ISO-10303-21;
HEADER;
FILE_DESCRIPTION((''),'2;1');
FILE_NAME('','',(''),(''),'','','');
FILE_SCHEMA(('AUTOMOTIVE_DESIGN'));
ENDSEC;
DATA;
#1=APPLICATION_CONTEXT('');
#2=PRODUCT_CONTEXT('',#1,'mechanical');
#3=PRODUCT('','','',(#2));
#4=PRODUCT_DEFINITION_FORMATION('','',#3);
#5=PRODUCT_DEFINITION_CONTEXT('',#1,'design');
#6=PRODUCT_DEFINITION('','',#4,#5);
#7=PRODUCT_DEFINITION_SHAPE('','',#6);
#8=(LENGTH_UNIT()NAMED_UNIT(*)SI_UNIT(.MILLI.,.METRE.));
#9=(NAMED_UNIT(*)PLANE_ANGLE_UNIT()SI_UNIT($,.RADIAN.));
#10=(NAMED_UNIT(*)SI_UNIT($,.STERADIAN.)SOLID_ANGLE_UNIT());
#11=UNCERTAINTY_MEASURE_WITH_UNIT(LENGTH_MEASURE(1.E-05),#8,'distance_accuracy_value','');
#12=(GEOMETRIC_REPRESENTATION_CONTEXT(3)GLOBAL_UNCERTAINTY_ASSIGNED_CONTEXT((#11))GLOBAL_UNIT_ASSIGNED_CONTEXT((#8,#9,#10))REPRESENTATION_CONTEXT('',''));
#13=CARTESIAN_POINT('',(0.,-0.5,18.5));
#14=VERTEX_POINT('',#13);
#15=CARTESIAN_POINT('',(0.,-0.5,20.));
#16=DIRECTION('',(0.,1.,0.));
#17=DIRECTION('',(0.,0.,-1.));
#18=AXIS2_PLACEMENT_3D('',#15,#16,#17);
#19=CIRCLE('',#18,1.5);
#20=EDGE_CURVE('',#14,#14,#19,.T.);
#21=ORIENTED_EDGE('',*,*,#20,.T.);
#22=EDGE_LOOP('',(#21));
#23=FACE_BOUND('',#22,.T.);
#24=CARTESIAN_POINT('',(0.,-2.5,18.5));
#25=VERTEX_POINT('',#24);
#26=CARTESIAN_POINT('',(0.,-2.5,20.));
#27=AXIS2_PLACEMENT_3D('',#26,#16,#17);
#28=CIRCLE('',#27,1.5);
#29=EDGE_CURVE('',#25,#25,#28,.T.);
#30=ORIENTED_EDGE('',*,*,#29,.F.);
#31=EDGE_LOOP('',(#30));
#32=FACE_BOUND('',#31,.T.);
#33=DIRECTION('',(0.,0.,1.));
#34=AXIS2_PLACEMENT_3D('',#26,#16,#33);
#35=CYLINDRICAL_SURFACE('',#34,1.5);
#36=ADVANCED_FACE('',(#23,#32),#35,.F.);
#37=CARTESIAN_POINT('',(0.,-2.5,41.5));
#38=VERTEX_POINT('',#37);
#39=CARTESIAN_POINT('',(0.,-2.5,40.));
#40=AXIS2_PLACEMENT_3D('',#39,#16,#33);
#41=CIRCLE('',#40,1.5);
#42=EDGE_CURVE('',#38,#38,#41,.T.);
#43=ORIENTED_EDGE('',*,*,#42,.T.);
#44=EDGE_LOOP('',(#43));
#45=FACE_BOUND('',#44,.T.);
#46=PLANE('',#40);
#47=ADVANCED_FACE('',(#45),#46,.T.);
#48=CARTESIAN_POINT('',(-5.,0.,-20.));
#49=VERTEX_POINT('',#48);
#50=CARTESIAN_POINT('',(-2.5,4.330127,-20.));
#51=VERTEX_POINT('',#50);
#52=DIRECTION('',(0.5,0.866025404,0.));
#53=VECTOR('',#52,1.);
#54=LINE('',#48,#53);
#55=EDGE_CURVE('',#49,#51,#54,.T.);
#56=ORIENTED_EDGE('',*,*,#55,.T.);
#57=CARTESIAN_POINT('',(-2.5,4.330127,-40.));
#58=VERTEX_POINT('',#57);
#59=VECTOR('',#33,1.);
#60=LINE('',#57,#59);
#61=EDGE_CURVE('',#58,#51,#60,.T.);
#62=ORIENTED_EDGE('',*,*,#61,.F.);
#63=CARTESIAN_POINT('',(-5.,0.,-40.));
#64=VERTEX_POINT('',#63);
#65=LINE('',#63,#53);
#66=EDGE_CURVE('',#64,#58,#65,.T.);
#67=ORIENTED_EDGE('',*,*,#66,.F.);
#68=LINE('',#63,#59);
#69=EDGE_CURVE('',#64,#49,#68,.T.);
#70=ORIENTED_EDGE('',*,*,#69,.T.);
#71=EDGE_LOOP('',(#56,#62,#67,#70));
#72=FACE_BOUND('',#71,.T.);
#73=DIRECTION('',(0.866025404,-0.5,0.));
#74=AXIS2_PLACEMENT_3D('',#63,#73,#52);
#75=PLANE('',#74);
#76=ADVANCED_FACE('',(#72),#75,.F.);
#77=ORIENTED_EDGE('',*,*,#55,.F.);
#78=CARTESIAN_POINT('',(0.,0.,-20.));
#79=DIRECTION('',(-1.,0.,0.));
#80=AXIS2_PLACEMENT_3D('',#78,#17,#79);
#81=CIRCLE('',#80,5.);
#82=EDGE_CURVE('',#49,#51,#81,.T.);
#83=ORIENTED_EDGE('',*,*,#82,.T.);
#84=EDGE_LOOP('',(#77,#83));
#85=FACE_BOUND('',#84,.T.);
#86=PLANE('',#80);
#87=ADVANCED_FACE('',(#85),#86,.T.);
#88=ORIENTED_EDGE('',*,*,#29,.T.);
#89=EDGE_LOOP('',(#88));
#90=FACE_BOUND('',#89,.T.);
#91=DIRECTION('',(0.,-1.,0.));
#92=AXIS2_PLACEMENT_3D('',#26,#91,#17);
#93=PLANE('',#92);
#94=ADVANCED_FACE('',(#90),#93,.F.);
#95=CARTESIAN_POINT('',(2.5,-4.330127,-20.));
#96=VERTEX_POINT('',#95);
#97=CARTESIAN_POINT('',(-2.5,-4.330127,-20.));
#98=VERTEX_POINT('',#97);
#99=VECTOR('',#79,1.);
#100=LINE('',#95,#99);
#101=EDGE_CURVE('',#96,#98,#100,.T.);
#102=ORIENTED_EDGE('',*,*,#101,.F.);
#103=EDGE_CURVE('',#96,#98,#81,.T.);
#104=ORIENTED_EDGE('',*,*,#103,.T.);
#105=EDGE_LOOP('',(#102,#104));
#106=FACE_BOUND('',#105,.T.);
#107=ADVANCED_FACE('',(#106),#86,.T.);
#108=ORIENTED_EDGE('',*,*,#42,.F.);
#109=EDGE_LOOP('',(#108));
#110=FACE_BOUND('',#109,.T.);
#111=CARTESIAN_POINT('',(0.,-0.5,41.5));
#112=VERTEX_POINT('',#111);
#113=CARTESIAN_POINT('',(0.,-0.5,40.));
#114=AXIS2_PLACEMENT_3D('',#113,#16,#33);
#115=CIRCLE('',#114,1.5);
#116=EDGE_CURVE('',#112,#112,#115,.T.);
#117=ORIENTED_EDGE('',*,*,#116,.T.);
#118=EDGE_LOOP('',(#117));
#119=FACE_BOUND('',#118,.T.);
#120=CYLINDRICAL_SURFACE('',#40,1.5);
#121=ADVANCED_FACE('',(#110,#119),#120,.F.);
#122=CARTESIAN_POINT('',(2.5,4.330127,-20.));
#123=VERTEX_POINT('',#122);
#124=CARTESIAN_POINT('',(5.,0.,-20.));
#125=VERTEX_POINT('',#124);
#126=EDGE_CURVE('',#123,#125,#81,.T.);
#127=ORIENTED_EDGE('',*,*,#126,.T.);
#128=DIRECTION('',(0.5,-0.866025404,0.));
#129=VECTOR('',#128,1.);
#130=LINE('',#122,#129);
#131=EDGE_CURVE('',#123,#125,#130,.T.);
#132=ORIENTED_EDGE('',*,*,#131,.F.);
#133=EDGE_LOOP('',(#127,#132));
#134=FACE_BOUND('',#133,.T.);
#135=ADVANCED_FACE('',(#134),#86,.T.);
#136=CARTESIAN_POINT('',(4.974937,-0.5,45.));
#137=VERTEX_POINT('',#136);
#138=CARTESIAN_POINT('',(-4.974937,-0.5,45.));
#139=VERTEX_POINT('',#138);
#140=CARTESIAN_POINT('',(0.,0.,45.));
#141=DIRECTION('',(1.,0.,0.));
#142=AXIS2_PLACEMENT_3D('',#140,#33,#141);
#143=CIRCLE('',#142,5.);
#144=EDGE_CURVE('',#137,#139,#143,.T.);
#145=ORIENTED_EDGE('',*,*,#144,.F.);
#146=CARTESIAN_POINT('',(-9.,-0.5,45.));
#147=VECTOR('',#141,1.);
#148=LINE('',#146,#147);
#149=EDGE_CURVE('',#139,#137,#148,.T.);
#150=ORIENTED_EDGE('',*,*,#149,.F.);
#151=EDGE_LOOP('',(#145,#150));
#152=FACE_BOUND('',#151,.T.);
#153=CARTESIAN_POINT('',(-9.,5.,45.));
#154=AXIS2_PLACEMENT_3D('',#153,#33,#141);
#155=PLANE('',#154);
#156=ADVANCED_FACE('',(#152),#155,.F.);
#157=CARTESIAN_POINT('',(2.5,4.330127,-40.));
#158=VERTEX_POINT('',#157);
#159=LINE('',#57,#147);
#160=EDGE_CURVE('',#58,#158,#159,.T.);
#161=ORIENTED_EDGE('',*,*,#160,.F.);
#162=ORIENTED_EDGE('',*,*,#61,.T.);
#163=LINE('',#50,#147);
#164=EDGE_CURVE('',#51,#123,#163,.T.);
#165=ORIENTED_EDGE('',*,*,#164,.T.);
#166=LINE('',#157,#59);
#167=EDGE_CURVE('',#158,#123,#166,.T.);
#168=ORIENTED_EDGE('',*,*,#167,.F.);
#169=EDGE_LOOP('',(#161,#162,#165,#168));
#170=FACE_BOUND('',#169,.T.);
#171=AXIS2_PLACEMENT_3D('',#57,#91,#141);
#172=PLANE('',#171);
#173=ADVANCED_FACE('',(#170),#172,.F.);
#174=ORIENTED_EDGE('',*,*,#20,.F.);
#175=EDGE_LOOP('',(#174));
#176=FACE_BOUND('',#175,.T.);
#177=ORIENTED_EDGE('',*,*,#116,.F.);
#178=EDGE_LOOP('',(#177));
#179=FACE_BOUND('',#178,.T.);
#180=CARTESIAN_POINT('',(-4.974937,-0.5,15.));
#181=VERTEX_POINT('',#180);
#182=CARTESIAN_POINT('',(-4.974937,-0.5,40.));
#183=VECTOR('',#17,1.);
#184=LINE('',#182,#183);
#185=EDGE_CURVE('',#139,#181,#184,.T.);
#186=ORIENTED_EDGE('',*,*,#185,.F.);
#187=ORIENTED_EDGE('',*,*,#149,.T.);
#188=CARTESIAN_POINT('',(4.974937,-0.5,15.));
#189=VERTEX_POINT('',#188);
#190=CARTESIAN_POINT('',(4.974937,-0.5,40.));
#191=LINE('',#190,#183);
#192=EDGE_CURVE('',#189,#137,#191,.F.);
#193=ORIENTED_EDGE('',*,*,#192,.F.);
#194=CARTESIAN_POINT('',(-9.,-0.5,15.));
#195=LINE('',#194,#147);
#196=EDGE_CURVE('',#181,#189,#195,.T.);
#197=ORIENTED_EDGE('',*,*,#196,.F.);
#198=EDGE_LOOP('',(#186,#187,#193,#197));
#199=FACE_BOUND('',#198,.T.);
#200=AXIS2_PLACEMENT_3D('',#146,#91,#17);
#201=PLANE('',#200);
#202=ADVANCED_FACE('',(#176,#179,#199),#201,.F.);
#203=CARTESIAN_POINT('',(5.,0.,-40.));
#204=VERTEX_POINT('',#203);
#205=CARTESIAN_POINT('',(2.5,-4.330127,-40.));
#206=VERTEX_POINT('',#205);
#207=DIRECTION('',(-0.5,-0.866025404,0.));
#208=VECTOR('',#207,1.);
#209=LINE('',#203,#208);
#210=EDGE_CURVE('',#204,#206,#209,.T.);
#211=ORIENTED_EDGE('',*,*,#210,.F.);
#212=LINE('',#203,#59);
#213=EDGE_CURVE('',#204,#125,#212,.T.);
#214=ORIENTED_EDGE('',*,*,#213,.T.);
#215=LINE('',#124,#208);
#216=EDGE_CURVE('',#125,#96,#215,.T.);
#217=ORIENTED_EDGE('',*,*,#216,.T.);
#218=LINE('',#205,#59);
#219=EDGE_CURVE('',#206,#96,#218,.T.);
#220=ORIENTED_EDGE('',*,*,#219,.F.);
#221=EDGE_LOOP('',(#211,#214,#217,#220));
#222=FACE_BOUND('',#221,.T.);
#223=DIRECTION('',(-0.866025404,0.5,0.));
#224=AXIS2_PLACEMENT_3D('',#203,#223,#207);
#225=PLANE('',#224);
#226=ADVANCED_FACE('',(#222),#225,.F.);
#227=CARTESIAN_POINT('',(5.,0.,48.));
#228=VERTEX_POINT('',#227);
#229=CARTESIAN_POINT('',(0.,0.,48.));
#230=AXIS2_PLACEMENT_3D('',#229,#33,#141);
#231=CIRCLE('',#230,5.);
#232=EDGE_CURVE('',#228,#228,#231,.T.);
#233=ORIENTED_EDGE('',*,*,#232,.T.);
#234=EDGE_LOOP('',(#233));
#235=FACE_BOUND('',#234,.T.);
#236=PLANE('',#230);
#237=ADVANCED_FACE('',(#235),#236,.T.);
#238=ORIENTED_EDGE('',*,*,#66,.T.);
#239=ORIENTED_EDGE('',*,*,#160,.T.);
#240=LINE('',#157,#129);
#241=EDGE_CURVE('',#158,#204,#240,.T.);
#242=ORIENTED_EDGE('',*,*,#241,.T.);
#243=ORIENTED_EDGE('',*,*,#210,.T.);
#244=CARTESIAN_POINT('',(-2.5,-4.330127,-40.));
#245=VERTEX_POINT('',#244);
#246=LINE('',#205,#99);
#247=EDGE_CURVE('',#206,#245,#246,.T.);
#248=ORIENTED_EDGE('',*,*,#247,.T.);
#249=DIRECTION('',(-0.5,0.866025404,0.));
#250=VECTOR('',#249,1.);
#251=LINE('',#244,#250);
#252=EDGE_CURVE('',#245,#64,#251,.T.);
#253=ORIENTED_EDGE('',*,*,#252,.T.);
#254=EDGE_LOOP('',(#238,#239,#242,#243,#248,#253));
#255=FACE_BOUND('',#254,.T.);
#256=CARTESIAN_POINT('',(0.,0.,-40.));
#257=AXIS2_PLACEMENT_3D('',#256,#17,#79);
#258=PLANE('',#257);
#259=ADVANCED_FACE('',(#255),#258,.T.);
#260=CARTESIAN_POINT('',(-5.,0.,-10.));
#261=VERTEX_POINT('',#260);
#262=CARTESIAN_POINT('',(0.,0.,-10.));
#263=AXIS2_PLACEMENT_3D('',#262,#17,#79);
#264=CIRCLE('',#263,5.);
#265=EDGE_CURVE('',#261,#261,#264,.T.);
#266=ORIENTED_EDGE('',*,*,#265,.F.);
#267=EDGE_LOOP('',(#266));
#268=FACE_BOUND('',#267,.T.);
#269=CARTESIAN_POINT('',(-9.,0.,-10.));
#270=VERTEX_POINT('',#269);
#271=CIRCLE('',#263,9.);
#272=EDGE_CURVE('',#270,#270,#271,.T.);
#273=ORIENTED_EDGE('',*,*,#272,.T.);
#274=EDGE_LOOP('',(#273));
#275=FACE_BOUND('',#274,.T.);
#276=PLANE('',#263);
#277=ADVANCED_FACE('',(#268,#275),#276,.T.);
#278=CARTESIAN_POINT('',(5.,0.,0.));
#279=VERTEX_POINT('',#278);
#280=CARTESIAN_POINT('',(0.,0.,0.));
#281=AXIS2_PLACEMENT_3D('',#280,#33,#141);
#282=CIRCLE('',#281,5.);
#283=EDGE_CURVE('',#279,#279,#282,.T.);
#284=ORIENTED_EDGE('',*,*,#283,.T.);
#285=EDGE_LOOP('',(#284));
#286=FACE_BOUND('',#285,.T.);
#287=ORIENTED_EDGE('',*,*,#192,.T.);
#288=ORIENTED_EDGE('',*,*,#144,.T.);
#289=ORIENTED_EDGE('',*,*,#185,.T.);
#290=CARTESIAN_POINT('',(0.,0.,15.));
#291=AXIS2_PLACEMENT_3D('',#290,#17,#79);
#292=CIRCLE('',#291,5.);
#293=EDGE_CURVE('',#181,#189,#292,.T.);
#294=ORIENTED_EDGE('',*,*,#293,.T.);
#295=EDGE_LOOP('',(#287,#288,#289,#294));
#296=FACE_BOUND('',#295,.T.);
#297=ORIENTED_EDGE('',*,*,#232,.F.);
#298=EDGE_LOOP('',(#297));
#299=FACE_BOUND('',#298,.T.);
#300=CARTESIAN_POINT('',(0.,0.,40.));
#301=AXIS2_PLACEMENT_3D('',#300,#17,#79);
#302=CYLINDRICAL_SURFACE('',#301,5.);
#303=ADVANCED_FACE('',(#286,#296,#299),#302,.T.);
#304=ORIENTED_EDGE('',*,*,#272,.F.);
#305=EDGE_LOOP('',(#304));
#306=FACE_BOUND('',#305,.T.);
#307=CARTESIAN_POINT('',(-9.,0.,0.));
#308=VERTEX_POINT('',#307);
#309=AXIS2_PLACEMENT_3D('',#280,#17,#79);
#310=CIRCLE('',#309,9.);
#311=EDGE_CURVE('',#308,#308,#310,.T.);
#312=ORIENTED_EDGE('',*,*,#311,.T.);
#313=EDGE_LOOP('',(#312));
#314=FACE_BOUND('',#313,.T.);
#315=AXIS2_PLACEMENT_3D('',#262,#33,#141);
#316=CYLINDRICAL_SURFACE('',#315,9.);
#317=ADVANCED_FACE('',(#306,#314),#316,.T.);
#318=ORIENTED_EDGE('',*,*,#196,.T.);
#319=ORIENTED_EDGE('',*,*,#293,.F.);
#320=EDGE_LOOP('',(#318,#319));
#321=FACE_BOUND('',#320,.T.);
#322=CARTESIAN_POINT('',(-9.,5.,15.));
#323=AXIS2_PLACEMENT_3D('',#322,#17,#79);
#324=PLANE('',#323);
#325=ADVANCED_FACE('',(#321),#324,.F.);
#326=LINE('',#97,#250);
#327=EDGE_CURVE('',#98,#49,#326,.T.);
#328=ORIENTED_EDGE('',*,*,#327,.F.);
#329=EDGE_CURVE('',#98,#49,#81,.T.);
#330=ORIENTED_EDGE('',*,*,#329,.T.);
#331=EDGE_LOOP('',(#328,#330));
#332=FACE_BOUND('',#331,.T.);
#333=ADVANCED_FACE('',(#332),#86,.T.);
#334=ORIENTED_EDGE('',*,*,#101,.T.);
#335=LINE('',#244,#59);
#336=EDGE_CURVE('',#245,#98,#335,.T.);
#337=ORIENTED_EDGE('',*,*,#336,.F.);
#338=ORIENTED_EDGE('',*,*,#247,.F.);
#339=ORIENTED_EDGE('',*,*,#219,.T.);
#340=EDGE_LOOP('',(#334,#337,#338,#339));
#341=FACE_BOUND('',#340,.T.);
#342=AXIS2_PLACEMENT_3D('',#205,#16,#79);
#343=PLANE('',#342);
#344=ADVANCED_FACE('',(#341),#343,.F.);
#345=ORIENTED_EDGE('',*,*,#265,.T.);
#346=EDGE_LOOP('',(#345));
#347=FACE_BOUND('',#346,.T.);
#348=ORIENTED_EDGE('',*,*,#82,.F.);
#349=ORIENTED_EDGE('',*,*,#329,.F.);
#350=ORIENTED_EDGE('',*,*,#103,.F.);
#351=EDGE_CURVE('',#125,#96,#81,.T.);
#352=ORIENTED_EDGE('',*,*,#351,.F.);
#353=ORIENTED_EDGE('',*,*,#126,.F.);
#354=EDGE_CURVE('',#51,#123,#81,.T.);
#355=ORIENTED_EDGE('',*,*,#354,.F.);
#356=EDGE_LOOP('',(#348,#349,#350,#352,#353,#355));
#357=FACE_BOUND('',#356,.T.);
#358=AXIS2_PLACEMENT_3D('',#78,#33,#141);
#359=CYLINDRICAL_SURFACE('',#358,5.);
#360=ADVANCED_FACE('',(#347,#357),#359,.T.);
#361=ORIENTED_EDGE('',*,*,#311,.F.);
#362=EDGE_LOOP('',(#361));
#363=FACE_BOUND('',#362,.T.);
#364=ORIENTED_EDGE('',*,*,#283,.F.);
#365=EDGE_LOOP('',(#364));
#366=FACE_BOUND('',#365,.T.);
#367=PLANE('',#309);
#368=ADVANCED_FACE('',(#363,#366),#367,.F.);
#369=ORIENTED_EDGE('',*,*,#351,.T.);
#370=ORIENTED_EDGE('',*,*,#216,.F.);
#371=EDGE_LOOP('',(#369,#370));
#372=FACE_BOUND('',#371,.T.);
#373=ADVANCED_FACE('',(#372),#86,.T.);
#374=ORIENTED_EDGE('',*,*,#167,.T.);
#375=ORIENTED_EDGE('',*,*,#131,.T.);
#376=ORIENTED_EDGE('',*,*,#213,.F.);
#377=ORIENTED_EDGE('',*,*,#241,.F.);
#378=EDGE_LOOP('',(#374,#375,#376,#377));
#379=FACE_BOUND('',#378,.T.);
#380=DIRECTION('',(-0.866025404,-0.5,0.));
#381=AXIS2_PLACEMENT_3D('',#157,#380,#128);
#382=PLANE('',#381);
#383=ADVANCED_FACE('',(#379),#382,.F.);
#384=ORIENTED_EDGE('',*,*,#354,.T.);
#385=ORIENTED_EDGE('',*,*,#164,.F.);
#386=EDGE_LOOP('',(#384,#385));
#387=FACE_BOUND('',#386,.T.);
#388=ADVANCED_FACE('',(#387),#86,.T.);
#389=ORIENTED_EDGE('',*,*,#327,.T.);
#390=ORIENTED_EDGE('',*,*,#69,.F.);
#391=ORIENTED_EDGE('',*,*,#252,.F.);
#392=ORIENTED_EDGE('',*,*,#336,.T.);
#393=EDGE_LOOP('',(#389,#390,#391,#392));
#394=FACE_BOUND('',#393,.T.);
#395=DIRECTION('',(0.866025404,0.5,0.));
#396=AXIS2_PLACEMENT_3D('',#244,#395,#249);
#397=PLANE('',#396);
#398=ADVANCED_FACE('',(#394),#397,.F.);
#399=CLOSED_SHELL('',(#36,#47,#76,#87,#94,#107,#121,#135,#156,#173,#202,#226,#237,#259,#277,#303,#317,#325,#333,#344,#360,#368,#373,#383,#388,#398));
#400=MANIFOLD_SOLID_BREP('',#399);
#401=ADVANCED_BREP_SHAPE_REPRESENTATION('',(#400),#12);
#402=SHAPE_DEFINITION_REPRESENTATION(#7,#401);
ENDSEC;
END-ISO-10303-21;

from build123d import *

# Parameters (mm, degrees)
SKETCH1_R               = 5
BOSS_EXTRUDE1_DEPTH     = 40
SKETCH2_R               = 9
BOSS_EXTRUDE2_DEPTH     = 10
SKETCH3_R               = 5
BOSS_EXTRUDE3_DEPTH     = 10
BOSS_EXTRUDE4_DEPTH     = 20
SKETCH6_R               = 5
BOSS_EXTRUDE5_DEPTH     = 8
SKETCH5_W               = 30
SKETCH5_H               = 5.5
CUT_EXTRUDE1_DEPTH      = 10
CUT_EXTRUDE1_DEPTH_BACK = 10
SKETCH8_R               = 1.5
CUT_EXTRUDE2_DEPTH      = 2


with BuildPart() as part:
    # Sketch1 → Boss-Extrude1 (new body)
    with BuildSketch(Plane.XY):
        Circle(SKETCH1_R)
    extrude(amount=BOSS_EXTRUDE1_DEPTH)

    # Sketch2 → Boss-Extrude2 (add)
    with BuildSketch(Plane(origin=(0, 0, 0), x_dir=(-1, 0, 0), z_dir=(0, 0, -1))):
        Circle(SKETCH2_R)
    extrude(amount=BOSS_EXTRUDE2_DEPTH)

    # Sketch3 → Boss-Extrude3 (add)
    with BuildSketch(Plane(origin=(0, 0, -10), x_dir=(-1, 0, 0), z_dir=(0, 0, -1))):
        Circle(SKETCH3_R)
    extrude(amount=BOSS_EXTRUDE3_DEPTH)

    # Sketch4 → Boss-Extrude4 (add)
    with BuildSketch(Plane(origin=(0, 0, -20), x_dir=(-1, 0, 0), z_dir=(0, 0, -1))):
        Polygon((-5, 0), (-2.5, -4.330127019), (2.5, -4.330127019), (5, 0), (2.5, 4.330127019), (-2.5, 4.330127019), align=None)
    extrude(amount=BOSS_EXTRUDE4_DEPTH)

    # Sketch6 → Boss-Extrude5 (add)
    with BuildSketch(Plane.XY.offset(40)):
        Circle(SKETCH6_R)
    extrude(amount=BOSS_EXTRUDE5_DEPTH)

    # Sketch5 → Cut-Extrude1 (cut, two sides)
    with BuildSketch(Plane(origin=(0, 0, 0), x_dir=(0, 0, -1), z_dir=(1, 0, 0))) as cut_extrude1_sk:
        with Locations((-30, 2.25)):
            Rectangle(SKETCH5_W, SKETCH5_H)
    extrude(amount=CUT_EXTRUDE1_DEPTH, mode=Mode.SUBTRACT)
    extrude(cut_extrude1_sk.sketch, amount=-CUT_EXTRUDE1_DEPTH_BACK, mode=Mode.SUBTRACT)

    # Sketch8 → Cut-Extrude2 (cut)
    with BuildSketch(Plane(origin=(0, -0.5, 0), x_dir=(1, 0, 0), z_dir=(0, 1, 0))):
        with Locations((0, -40)):
            Circle(SKETCH8_R)
        with Locations((0, -20)):
            Circle(SKETCH8_R)
    extrude(amount=-CUT_EXTRUDE2_DEPTH, mode=Mode.SUBTRACT)


solid = part.part
